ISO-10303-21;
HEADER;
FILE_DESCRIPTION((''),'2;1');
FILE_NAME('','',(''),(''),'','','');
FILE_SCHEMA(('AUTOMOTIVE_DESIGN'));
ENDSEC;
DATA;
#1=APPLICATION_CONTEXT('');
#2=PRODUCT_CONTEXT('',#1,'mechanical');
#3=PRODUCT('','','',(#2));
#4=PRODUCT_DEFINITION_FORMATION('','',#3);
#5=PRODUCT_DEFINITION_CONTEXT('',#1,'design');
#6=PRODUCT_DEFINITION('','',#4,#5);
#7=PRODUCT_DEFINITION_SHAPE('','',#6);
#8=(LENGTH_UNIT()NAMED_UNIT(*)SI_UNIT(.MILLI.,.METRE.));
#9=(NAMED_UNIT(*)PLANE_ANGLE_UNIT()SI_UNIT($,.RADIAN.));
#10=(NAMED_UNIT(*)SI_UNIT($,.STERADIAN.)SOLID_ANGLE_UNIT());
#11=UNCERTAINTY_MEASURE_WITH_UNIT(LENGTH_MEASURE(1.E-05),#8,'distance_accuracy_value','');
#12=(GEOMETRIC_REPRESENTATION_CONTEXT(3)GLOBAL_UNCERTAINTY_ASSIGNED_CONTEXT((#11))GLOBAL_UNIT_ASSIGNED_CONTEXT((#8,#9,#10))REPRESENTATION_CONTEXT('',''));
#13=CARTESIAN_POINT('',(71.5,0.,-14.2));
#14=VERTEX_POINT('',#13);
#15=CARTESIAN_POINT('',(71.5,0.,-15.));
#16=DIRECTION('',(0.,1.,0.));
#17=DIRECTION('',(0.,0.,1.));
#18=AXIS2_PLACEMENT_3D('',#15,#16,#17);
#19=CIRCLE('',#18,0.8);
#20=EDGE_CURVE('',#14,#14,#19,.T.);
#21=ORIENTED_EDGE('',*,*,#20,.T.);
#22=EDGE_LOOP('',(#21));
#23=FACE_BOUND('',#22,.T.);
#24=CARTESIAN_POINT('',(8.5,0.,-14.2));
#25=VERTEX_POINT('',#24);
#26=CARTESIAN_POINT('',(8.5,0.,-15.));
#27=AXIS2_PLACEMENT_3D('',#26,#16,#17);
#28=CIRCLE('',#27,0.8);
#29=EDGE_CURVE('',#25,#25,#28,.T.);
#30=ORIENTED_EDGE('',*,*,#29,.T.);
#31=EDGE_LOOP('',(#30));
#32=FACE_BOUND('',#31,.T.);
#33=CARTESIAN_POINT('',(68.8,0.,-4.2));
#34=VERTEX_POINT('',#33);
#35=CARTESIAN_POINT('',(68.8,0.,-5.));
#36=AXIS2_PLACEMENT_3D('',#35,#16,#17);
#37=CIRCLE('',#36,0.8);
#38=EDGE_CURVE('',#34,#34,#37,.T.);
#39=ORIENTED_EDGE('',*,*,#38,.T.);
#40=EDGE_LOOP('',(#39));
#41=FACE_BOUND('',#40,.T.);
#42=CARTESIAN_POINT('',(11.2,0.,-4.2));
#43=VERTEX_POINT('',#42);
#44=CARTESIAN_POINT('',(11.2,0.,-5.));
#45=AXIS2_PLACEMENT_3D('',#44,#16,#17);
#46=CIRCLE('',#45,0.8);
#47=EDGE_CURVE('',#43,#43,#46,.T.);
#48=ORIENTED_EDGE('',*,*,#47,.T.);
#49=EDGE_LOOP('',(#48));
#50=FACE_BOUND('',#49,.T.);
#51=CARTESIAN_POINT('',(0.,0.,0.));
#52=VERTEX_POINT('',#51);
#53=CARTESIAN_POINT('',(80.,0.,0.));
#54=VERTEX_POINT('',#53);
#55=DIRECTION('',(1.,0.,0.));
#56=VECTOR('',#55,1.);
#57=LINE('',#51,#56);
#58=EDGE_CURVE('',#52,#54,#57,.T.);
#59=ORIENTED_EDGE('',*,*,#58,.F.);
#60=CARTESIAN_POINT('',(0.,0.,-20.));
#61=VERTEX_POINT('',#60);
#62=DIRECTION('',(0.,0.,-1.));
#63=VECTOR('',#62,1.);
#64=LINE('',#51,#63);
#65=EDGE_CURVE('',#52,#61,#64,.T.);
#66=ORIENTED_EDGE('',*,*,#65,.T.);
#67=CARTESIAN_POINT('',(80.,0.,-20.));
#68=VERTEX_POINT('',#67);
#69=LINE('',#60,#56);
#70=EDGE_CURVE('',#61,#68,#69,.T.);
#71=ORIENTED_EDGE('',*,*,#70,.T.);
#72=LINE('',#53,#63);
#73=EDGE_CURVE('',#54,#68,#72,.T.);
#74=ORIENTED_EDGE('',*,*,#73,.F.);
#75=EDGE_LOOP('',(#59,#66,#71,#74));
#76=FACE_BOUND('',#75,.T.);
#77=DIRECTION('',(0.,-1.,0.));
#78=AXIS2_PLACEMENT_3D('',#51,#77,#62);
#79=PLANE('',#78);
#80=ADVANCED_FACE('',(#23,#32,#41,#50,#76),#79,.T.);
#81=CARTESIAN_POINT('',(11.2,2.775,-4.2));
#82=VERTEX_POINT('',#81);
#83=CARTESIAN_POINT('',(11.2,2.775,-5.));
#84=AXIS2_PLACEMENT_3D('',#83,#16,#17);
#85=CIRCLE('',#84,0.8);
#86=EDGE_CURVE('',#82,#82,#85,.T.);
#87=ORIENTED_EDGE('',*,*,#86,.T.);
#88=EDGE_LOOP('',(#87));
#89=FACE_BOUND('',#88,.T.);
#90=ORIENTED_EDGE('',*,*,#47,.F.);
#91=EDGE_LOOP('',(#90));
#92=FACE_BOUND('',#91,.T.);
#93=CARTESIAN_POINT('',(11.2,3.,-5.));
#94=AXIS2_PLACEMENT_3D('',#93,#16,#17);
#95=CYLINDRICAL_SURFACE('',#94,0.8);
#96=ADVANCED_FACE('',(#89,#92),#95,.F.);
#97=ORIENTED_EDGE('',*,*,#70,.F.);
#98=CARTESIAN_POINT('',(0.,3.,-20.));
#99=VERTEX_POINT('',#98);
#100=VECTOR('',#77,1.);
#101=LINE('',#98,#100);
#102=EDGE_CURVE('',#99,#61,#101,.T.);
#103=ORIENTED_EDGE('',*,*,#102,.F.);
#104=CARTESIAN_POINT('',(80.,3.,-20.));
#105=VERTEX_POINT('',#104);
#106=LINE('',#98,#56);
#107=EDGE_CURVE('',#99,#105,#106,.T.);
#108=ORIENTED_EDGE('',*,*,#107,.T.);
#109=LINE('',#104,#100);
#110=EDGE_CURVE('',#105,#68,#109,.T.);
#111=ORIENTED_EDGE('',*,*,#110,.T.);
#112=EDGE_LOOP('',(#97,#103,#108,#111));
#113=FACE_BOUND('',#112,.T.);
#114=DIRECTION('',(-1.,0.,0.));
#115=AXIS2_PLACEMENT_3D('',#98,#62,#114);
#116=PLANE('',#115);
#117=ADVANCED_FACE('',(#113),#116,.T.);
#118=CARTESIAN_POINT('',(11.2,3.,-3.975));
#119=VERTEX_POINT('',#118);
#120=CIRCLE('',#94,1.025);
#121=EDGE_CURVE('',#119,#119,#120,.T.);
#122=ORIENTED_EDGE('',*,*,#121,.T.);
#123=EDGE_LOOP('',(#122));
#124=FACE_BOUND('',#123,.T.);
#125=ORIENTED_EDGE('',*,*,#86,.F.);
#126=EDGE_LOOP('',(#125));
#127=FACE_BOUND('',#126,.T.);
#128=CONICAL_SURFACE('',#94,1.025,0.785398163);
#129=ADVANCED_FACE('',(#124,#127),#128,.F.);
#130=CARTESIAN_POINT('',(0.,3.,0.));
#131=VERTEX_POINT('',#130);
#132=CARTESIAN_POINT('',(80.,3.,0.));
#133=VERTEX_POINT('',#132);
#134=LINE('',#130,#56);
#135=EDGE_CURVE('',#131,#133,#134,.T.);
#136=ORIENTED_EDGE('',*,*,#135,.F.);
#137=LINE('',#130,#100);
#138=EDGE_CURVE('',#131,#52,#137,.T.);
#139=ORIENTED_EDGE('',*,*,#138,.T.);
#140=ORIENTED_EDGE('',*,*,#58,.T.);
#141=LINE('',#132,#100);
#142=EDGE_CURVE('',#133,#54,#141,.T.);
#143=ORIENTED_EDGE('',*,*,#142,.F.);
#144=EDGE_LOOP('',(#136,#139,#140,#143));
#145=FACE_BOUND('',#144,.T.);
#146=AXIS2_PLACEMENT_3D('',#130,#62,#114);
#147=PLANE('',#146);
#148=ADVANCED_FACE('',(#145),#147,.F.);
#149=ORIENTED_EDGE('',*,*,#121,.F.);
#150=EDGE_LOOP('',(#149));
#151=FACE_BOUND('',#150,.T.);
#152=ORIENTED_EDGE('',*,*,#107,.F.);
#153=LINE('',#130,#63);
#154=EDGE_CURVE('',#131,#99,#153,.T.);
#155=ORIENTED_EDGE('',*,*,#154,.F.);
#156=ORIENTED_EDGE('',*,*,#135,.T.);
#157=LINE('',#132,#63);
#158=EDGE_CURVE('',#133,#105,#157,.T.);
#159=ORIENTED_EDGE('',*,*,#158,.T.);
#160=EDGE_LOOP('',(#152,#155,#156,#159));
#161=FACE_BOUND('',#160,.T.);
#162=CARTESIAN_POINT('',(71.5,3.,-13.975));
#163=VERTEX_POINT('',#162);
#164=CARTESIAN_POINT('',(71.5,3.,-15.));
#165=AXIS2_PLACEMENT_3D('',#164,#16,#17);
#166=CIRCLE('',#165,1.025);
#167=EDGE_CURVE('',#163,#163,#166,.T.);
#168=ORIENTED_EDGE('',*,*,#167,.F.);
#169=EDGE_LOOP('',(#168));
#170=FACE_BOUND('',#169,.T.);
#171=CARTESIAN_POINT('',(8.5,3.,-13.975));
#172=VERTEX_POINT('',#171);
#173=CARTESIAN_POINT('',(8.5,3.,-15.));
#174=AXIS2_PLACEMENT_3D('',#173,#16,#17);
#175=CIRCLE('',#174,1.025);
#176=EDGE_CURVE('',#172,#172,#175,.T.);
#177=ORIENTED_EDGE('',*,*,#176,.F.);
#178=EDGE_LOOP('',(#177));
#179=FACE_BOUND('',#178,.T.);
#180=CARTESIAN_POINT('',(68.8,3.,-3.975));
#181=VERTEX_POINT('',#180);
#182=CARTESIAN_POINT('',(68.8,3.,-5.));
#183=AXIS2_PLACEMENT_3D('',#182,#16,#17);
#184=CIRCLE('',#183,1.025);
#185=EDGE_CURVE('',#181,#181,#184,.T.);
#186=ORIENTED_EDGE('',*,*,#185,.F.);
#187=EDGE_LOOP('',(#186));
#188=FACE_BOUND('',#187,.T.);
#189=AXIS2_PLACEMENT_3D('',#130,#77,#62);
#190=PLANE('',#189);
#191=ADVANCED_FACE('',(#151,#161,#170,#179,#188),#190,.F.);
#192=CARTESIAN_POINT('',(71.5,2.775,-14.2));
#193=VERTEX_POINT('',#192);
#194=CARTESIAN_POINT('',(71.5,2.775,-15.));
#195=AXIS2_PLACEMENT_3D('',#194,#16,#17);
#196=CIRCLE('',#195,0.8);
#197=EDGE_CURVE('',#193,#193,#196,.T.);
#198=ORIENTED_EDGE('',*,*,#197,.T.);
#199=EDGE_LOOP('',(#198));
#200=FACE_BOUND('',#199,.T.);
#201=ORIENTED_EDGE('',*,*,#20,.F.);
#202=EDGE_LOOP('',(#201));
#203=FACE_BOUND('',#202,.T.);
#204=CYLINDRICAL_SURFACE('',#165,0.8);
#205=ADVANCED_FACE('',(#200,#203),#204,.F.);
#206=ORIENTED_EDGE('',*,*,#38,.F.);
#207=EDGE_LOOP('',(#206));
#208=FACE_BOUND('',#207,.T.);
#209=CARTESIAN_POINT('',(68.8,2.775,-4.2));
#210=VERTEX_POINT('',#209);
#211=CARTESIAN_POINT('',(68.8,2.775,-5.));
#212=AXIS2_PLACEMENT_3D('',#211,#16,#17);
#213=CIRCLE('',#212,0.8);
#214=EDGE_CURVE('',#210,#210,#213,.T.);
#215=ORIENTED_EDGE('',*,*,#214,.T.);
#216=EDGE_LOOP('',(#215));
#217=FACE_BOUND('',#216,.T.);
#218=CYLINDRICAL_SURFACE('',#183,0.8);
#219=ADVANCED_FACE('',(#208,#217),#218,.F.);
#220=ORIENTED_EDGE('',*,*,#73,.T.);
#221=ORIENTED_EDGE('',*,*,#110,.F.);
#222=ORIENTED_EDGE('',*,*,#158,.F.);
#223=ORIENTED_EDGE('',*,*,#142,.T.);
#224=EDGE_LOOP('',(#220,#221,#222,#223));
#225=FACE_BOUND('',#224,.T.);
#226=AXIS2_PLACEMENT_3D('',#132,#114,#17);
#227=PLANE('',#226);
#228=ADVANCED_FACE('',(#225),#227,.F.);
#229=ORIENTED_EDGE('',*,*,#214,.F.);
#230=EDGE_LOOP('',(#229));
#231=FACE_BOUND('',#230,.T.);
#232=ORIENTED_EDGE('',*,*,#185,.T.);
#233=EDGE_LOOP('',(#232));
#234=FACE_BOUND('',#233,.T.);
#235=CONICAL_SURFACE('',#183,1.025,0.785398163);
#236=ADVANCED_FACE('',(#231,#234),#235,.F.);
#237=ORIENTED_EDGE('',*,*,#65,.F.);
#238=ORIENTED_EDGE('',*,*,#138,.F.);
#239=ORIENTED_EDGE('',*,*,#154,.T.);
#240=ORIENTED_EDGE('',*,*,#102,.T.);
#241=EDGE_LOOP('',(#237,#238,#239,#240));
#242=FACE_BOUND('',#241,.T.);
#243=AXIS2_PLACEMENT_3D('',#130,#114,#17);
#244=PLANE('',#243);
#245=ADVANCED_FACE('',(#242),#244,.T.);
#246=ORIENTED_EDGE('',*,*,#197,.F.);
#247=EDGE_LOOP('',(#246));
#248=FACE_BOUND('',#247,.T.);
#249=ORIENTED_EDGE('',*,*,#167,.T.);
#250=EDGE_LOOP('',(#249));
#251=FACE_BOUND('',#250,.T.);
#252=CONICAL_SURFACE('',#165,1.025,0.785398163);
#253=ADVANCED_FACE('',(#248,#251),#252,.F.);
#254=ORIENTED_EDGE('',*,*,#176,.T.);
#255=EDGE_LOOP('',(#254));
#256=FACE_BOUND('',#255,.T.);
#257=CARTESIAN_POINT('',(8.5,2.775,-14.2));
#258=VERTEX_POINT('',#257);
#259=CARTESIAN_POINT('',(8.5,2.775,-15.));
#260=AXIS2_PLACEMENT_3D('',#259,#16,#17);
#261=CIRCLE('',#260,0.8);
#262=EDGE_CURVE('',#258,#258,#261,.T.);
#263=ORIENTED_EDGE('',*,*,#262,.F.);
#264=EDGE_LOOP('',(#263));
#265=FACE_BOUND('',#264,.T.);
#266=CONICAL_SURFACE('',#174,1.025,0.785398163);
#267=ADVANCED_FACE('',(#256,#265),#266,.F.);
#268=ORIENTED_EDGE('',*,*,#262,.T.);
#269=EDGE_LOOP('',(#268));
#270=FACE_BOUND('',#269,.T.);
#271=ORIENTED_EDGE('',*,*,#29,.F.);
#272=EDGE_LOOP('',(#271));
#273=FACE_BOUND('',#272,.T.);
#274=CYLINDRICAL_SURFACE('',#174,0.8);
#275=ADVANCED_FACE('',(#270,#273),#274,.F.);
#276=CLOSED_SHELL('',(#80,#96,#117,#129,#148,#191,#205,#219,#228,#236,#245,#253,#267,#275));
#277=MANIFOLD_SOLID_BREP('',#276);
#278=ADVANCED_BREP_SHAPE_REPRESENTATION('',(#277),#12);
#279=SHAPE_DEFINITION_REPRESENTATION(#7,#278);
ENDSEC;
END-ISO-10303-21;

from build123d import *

# Parameters (mm, degrees)
SKETCH_1_W                   = 80
SKETCH_1_H                   = 20
EXTRUDE_1_DEPTH              = 3
HOLE_WIZARD_M2_1_D           = 1.6
HOLE_WIZARD_M2_1_CSINK_D     = 2.05
HOLE_WIZARD_M2_1_CSINK_ANGLE = 90


with BuildPart() as part:
    # 草图1 → 凸台-拉伸1 (new body)
    with BuildSketch(Plane(origin=(0, 0, 0), x_dir=(1, 0, 0), z_dir=(0, 1, 0))):
        with Locations((40, 10)):
            Rectangle(SKETCH_1_W, SKETCH_1_H)
    extrude(amount=EXTRUDE_1_DEPTH)

    # M2 螺纹孔1 (through all)
    with Locations(Plane(origin=(0, 3, 0), x_dir=(1, 0, 0), z_dir=(0, 1, 0))):
        with Locations((8.5, 15), (11.2, 5), (71.5, 15), (68.8, 5)):
            CounterSinkHole(HOLE_WIZARD_M2_1_D / 2, HOLE_WIZARD_M2_1_CSINK_D / 2, counter_sink_angle=HOLE_WIZARD_M2_1_CSINK_ANGLE)


solid = part.part
